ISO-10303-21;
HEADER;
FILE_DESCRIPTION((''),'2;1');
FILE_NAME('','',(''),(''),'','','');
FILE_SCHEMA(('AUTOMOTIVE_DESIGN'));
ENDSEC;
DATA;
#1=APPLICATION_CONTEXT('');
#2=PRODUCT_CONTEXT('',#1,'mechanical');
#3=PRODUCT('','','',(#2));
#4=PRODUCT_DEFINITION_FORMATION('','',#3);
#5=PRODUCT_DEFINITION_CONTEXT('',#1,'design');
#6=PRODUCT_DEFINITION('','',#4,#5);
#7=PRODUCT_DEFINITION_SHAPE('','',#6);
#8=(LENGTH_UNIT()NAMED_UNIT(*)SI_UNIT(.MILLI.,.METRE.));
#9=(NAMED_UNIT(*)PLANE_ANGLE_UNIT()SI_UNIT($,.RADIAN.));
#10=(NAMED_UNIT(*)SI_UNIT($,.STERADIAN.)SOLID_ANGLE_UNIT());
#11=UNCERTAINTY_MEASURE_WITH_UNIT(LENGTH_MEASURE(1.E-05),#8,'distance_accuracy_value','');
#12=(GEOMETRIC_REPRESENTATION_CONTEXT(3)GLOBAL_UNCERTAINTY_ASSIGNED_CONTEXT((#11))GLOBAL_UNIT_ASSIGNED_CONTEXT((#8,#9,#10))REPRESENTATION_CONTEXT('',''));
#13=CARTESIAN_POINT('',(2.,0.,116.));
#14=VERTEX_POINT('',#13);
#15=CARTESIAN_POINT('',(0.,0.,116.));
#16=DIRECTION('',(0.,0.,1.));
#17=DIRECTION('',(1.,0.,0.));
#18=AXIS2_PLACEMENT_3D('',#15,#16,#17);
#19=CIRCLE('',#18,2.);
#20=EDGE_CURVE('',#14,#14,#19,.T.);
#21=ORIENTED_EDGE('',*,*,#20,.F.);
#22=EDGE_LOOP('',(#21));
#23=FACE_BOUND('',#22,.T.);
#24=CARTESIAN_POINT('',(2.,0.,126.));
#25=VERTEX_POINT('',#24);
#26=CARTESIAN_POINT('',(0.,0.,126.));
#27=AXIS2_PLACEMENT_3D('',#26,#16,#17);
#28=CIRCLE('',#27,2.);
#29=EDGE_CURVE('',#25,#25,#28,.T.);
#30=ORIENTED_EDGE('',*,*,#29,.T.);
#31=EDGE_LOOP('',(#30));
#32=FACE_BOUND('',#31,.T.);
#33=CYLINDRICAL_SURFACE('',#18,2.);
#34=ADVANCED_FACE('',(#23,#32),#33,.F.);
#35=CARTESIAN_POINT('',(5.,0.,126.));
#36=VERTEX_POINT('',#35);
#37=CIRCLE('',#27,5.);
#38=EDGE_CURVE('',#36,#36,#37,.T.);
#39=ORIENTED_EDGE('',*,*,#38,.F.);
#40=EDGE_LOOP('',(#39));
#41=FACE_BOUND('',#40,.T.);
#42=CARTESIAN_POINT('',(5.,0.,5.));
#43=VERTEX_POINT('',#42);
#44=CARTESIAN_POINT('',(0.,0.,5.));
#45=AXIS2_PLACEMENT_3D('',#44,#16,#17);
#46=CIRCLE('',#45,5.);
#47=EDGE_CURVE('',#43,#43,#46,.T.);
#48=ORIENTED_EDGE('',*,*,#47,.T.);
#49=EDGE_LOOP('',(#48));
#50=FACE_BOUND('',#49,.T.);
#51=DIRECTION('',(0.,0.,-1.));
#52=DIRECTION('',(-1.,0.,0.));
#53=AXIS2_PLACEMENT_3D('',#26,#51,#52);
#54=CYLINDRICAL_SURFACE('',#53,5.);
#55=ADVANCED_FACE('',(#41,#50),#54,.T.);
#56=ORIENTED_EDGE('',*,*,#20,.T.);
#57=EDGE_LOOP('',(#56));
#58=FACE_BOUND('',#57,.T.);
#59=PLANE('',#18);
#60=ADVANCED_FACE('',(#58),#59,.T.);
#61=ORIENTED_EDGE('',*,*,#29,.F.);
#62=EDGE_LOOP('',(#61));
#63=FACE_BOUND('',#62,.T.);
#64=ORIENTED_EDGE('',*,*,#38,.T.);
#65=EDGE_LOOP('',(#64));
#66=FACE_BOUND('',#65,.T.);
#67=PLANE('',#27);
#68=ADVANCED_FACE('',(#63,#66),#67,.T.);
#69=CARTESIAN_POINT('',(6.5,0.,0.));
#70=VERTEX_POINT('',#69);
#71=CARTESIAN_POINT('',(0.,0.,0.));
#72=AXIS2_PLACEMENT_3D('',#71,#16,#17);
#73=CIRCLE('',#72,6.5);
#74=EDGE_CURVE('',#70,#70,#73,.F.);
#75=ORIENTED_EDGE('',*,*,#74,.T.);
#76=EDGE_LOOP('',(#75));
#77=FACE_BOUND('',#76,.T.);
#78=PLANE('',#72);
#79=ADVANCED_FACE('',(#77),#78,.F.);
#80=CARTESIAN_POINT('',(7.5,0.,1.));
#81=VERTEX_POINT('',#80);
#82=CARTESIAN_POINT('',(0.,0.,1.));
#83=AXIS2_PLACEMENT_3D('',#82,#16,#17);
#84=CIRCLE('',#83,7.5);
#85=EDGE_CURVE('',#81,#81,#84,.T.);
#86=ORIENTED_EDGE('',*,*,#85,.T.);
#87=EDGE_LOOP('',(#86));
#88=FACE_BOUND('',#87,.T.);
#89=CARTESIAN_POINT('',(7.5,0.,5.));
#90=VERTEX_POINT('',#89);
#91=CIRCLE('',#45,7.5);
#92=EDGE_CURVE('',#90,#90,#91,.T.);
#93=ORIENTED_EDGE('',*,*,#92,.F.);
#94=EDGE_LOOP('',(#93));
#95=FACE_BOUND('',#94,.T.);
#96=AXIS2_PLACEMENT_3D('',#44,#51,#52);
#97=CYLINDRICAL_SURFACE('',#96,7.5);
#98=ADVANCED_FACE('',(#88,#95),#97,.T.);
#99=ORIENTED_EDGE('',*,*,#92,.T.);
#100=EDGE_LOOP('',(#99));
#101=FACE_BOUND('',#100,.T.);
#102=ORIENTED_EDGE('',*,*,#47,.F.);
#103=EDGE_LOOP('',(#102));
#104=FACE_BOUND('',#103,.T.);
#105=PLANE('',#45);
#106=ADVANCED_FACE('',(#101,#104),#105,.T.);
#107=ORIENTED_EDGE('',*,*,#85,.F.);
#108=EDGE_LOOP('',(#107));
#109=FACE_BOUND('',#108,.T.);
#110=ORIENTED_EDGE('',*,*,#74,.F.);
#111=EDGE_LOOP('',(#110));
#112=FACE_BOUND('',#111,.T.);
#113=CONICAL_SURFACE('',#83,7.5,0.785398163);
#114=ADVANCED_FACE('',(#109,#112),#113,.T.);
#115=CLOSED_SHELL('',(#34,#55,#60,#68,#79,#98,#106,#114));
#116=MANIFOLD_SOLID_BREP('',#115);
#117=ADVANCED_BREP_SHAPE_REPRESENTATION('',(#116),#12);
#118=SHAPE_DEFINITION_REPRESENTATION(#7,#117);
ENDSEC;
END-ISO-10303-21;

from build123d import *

# Parameters (mm, degrees)
SKETCH2_R           = 7.5
BOSS_EXTRUDE1_DEPTH = 5
CHAMFER1_SIZE       = 1
SKETCH3_R           = 5
BOSS_EXTRUDE2_DEPTH = 121
SKETCH4_R           = 2
CUT_EXTRUDE1_DEPTH  = 10


with BuildPart() as part:
    # Sketch2 → Boss-Extrude1 (new body)
    with BuildSketch(Plane.XY):
        Circle(SKETCH2_R)
    extrude(amount=BOSS_EXTRUDE1_DEPTH)

    # Chamfer1
    chamfer1_edges = [part.edges().sort_by_distance(p)[0] for p in [
        (-7.5, 0, 0),
    ]]
    chamfer(chamfer1_edges, length=CHAMFER1_SIZE)

    # Sketch3 → Boss-Extrude2 (add)
    with BuildSketch(Plane.XY.offset(5)):
        Circle(SKETCH3_R)
    extrude(amount=BOSS_EXTRUDE2_DEPTH)

    # Sketch4 → Cut-Extrude1 (cut)
    with BuildSketch(Plane.XY.offset(126)):
        Circle(SKETCH4_R)
    extrude(amount=-CUT_EXTRUDE1_DEPTH, mode=Mode.SUBTRACT)


solid = part.part
